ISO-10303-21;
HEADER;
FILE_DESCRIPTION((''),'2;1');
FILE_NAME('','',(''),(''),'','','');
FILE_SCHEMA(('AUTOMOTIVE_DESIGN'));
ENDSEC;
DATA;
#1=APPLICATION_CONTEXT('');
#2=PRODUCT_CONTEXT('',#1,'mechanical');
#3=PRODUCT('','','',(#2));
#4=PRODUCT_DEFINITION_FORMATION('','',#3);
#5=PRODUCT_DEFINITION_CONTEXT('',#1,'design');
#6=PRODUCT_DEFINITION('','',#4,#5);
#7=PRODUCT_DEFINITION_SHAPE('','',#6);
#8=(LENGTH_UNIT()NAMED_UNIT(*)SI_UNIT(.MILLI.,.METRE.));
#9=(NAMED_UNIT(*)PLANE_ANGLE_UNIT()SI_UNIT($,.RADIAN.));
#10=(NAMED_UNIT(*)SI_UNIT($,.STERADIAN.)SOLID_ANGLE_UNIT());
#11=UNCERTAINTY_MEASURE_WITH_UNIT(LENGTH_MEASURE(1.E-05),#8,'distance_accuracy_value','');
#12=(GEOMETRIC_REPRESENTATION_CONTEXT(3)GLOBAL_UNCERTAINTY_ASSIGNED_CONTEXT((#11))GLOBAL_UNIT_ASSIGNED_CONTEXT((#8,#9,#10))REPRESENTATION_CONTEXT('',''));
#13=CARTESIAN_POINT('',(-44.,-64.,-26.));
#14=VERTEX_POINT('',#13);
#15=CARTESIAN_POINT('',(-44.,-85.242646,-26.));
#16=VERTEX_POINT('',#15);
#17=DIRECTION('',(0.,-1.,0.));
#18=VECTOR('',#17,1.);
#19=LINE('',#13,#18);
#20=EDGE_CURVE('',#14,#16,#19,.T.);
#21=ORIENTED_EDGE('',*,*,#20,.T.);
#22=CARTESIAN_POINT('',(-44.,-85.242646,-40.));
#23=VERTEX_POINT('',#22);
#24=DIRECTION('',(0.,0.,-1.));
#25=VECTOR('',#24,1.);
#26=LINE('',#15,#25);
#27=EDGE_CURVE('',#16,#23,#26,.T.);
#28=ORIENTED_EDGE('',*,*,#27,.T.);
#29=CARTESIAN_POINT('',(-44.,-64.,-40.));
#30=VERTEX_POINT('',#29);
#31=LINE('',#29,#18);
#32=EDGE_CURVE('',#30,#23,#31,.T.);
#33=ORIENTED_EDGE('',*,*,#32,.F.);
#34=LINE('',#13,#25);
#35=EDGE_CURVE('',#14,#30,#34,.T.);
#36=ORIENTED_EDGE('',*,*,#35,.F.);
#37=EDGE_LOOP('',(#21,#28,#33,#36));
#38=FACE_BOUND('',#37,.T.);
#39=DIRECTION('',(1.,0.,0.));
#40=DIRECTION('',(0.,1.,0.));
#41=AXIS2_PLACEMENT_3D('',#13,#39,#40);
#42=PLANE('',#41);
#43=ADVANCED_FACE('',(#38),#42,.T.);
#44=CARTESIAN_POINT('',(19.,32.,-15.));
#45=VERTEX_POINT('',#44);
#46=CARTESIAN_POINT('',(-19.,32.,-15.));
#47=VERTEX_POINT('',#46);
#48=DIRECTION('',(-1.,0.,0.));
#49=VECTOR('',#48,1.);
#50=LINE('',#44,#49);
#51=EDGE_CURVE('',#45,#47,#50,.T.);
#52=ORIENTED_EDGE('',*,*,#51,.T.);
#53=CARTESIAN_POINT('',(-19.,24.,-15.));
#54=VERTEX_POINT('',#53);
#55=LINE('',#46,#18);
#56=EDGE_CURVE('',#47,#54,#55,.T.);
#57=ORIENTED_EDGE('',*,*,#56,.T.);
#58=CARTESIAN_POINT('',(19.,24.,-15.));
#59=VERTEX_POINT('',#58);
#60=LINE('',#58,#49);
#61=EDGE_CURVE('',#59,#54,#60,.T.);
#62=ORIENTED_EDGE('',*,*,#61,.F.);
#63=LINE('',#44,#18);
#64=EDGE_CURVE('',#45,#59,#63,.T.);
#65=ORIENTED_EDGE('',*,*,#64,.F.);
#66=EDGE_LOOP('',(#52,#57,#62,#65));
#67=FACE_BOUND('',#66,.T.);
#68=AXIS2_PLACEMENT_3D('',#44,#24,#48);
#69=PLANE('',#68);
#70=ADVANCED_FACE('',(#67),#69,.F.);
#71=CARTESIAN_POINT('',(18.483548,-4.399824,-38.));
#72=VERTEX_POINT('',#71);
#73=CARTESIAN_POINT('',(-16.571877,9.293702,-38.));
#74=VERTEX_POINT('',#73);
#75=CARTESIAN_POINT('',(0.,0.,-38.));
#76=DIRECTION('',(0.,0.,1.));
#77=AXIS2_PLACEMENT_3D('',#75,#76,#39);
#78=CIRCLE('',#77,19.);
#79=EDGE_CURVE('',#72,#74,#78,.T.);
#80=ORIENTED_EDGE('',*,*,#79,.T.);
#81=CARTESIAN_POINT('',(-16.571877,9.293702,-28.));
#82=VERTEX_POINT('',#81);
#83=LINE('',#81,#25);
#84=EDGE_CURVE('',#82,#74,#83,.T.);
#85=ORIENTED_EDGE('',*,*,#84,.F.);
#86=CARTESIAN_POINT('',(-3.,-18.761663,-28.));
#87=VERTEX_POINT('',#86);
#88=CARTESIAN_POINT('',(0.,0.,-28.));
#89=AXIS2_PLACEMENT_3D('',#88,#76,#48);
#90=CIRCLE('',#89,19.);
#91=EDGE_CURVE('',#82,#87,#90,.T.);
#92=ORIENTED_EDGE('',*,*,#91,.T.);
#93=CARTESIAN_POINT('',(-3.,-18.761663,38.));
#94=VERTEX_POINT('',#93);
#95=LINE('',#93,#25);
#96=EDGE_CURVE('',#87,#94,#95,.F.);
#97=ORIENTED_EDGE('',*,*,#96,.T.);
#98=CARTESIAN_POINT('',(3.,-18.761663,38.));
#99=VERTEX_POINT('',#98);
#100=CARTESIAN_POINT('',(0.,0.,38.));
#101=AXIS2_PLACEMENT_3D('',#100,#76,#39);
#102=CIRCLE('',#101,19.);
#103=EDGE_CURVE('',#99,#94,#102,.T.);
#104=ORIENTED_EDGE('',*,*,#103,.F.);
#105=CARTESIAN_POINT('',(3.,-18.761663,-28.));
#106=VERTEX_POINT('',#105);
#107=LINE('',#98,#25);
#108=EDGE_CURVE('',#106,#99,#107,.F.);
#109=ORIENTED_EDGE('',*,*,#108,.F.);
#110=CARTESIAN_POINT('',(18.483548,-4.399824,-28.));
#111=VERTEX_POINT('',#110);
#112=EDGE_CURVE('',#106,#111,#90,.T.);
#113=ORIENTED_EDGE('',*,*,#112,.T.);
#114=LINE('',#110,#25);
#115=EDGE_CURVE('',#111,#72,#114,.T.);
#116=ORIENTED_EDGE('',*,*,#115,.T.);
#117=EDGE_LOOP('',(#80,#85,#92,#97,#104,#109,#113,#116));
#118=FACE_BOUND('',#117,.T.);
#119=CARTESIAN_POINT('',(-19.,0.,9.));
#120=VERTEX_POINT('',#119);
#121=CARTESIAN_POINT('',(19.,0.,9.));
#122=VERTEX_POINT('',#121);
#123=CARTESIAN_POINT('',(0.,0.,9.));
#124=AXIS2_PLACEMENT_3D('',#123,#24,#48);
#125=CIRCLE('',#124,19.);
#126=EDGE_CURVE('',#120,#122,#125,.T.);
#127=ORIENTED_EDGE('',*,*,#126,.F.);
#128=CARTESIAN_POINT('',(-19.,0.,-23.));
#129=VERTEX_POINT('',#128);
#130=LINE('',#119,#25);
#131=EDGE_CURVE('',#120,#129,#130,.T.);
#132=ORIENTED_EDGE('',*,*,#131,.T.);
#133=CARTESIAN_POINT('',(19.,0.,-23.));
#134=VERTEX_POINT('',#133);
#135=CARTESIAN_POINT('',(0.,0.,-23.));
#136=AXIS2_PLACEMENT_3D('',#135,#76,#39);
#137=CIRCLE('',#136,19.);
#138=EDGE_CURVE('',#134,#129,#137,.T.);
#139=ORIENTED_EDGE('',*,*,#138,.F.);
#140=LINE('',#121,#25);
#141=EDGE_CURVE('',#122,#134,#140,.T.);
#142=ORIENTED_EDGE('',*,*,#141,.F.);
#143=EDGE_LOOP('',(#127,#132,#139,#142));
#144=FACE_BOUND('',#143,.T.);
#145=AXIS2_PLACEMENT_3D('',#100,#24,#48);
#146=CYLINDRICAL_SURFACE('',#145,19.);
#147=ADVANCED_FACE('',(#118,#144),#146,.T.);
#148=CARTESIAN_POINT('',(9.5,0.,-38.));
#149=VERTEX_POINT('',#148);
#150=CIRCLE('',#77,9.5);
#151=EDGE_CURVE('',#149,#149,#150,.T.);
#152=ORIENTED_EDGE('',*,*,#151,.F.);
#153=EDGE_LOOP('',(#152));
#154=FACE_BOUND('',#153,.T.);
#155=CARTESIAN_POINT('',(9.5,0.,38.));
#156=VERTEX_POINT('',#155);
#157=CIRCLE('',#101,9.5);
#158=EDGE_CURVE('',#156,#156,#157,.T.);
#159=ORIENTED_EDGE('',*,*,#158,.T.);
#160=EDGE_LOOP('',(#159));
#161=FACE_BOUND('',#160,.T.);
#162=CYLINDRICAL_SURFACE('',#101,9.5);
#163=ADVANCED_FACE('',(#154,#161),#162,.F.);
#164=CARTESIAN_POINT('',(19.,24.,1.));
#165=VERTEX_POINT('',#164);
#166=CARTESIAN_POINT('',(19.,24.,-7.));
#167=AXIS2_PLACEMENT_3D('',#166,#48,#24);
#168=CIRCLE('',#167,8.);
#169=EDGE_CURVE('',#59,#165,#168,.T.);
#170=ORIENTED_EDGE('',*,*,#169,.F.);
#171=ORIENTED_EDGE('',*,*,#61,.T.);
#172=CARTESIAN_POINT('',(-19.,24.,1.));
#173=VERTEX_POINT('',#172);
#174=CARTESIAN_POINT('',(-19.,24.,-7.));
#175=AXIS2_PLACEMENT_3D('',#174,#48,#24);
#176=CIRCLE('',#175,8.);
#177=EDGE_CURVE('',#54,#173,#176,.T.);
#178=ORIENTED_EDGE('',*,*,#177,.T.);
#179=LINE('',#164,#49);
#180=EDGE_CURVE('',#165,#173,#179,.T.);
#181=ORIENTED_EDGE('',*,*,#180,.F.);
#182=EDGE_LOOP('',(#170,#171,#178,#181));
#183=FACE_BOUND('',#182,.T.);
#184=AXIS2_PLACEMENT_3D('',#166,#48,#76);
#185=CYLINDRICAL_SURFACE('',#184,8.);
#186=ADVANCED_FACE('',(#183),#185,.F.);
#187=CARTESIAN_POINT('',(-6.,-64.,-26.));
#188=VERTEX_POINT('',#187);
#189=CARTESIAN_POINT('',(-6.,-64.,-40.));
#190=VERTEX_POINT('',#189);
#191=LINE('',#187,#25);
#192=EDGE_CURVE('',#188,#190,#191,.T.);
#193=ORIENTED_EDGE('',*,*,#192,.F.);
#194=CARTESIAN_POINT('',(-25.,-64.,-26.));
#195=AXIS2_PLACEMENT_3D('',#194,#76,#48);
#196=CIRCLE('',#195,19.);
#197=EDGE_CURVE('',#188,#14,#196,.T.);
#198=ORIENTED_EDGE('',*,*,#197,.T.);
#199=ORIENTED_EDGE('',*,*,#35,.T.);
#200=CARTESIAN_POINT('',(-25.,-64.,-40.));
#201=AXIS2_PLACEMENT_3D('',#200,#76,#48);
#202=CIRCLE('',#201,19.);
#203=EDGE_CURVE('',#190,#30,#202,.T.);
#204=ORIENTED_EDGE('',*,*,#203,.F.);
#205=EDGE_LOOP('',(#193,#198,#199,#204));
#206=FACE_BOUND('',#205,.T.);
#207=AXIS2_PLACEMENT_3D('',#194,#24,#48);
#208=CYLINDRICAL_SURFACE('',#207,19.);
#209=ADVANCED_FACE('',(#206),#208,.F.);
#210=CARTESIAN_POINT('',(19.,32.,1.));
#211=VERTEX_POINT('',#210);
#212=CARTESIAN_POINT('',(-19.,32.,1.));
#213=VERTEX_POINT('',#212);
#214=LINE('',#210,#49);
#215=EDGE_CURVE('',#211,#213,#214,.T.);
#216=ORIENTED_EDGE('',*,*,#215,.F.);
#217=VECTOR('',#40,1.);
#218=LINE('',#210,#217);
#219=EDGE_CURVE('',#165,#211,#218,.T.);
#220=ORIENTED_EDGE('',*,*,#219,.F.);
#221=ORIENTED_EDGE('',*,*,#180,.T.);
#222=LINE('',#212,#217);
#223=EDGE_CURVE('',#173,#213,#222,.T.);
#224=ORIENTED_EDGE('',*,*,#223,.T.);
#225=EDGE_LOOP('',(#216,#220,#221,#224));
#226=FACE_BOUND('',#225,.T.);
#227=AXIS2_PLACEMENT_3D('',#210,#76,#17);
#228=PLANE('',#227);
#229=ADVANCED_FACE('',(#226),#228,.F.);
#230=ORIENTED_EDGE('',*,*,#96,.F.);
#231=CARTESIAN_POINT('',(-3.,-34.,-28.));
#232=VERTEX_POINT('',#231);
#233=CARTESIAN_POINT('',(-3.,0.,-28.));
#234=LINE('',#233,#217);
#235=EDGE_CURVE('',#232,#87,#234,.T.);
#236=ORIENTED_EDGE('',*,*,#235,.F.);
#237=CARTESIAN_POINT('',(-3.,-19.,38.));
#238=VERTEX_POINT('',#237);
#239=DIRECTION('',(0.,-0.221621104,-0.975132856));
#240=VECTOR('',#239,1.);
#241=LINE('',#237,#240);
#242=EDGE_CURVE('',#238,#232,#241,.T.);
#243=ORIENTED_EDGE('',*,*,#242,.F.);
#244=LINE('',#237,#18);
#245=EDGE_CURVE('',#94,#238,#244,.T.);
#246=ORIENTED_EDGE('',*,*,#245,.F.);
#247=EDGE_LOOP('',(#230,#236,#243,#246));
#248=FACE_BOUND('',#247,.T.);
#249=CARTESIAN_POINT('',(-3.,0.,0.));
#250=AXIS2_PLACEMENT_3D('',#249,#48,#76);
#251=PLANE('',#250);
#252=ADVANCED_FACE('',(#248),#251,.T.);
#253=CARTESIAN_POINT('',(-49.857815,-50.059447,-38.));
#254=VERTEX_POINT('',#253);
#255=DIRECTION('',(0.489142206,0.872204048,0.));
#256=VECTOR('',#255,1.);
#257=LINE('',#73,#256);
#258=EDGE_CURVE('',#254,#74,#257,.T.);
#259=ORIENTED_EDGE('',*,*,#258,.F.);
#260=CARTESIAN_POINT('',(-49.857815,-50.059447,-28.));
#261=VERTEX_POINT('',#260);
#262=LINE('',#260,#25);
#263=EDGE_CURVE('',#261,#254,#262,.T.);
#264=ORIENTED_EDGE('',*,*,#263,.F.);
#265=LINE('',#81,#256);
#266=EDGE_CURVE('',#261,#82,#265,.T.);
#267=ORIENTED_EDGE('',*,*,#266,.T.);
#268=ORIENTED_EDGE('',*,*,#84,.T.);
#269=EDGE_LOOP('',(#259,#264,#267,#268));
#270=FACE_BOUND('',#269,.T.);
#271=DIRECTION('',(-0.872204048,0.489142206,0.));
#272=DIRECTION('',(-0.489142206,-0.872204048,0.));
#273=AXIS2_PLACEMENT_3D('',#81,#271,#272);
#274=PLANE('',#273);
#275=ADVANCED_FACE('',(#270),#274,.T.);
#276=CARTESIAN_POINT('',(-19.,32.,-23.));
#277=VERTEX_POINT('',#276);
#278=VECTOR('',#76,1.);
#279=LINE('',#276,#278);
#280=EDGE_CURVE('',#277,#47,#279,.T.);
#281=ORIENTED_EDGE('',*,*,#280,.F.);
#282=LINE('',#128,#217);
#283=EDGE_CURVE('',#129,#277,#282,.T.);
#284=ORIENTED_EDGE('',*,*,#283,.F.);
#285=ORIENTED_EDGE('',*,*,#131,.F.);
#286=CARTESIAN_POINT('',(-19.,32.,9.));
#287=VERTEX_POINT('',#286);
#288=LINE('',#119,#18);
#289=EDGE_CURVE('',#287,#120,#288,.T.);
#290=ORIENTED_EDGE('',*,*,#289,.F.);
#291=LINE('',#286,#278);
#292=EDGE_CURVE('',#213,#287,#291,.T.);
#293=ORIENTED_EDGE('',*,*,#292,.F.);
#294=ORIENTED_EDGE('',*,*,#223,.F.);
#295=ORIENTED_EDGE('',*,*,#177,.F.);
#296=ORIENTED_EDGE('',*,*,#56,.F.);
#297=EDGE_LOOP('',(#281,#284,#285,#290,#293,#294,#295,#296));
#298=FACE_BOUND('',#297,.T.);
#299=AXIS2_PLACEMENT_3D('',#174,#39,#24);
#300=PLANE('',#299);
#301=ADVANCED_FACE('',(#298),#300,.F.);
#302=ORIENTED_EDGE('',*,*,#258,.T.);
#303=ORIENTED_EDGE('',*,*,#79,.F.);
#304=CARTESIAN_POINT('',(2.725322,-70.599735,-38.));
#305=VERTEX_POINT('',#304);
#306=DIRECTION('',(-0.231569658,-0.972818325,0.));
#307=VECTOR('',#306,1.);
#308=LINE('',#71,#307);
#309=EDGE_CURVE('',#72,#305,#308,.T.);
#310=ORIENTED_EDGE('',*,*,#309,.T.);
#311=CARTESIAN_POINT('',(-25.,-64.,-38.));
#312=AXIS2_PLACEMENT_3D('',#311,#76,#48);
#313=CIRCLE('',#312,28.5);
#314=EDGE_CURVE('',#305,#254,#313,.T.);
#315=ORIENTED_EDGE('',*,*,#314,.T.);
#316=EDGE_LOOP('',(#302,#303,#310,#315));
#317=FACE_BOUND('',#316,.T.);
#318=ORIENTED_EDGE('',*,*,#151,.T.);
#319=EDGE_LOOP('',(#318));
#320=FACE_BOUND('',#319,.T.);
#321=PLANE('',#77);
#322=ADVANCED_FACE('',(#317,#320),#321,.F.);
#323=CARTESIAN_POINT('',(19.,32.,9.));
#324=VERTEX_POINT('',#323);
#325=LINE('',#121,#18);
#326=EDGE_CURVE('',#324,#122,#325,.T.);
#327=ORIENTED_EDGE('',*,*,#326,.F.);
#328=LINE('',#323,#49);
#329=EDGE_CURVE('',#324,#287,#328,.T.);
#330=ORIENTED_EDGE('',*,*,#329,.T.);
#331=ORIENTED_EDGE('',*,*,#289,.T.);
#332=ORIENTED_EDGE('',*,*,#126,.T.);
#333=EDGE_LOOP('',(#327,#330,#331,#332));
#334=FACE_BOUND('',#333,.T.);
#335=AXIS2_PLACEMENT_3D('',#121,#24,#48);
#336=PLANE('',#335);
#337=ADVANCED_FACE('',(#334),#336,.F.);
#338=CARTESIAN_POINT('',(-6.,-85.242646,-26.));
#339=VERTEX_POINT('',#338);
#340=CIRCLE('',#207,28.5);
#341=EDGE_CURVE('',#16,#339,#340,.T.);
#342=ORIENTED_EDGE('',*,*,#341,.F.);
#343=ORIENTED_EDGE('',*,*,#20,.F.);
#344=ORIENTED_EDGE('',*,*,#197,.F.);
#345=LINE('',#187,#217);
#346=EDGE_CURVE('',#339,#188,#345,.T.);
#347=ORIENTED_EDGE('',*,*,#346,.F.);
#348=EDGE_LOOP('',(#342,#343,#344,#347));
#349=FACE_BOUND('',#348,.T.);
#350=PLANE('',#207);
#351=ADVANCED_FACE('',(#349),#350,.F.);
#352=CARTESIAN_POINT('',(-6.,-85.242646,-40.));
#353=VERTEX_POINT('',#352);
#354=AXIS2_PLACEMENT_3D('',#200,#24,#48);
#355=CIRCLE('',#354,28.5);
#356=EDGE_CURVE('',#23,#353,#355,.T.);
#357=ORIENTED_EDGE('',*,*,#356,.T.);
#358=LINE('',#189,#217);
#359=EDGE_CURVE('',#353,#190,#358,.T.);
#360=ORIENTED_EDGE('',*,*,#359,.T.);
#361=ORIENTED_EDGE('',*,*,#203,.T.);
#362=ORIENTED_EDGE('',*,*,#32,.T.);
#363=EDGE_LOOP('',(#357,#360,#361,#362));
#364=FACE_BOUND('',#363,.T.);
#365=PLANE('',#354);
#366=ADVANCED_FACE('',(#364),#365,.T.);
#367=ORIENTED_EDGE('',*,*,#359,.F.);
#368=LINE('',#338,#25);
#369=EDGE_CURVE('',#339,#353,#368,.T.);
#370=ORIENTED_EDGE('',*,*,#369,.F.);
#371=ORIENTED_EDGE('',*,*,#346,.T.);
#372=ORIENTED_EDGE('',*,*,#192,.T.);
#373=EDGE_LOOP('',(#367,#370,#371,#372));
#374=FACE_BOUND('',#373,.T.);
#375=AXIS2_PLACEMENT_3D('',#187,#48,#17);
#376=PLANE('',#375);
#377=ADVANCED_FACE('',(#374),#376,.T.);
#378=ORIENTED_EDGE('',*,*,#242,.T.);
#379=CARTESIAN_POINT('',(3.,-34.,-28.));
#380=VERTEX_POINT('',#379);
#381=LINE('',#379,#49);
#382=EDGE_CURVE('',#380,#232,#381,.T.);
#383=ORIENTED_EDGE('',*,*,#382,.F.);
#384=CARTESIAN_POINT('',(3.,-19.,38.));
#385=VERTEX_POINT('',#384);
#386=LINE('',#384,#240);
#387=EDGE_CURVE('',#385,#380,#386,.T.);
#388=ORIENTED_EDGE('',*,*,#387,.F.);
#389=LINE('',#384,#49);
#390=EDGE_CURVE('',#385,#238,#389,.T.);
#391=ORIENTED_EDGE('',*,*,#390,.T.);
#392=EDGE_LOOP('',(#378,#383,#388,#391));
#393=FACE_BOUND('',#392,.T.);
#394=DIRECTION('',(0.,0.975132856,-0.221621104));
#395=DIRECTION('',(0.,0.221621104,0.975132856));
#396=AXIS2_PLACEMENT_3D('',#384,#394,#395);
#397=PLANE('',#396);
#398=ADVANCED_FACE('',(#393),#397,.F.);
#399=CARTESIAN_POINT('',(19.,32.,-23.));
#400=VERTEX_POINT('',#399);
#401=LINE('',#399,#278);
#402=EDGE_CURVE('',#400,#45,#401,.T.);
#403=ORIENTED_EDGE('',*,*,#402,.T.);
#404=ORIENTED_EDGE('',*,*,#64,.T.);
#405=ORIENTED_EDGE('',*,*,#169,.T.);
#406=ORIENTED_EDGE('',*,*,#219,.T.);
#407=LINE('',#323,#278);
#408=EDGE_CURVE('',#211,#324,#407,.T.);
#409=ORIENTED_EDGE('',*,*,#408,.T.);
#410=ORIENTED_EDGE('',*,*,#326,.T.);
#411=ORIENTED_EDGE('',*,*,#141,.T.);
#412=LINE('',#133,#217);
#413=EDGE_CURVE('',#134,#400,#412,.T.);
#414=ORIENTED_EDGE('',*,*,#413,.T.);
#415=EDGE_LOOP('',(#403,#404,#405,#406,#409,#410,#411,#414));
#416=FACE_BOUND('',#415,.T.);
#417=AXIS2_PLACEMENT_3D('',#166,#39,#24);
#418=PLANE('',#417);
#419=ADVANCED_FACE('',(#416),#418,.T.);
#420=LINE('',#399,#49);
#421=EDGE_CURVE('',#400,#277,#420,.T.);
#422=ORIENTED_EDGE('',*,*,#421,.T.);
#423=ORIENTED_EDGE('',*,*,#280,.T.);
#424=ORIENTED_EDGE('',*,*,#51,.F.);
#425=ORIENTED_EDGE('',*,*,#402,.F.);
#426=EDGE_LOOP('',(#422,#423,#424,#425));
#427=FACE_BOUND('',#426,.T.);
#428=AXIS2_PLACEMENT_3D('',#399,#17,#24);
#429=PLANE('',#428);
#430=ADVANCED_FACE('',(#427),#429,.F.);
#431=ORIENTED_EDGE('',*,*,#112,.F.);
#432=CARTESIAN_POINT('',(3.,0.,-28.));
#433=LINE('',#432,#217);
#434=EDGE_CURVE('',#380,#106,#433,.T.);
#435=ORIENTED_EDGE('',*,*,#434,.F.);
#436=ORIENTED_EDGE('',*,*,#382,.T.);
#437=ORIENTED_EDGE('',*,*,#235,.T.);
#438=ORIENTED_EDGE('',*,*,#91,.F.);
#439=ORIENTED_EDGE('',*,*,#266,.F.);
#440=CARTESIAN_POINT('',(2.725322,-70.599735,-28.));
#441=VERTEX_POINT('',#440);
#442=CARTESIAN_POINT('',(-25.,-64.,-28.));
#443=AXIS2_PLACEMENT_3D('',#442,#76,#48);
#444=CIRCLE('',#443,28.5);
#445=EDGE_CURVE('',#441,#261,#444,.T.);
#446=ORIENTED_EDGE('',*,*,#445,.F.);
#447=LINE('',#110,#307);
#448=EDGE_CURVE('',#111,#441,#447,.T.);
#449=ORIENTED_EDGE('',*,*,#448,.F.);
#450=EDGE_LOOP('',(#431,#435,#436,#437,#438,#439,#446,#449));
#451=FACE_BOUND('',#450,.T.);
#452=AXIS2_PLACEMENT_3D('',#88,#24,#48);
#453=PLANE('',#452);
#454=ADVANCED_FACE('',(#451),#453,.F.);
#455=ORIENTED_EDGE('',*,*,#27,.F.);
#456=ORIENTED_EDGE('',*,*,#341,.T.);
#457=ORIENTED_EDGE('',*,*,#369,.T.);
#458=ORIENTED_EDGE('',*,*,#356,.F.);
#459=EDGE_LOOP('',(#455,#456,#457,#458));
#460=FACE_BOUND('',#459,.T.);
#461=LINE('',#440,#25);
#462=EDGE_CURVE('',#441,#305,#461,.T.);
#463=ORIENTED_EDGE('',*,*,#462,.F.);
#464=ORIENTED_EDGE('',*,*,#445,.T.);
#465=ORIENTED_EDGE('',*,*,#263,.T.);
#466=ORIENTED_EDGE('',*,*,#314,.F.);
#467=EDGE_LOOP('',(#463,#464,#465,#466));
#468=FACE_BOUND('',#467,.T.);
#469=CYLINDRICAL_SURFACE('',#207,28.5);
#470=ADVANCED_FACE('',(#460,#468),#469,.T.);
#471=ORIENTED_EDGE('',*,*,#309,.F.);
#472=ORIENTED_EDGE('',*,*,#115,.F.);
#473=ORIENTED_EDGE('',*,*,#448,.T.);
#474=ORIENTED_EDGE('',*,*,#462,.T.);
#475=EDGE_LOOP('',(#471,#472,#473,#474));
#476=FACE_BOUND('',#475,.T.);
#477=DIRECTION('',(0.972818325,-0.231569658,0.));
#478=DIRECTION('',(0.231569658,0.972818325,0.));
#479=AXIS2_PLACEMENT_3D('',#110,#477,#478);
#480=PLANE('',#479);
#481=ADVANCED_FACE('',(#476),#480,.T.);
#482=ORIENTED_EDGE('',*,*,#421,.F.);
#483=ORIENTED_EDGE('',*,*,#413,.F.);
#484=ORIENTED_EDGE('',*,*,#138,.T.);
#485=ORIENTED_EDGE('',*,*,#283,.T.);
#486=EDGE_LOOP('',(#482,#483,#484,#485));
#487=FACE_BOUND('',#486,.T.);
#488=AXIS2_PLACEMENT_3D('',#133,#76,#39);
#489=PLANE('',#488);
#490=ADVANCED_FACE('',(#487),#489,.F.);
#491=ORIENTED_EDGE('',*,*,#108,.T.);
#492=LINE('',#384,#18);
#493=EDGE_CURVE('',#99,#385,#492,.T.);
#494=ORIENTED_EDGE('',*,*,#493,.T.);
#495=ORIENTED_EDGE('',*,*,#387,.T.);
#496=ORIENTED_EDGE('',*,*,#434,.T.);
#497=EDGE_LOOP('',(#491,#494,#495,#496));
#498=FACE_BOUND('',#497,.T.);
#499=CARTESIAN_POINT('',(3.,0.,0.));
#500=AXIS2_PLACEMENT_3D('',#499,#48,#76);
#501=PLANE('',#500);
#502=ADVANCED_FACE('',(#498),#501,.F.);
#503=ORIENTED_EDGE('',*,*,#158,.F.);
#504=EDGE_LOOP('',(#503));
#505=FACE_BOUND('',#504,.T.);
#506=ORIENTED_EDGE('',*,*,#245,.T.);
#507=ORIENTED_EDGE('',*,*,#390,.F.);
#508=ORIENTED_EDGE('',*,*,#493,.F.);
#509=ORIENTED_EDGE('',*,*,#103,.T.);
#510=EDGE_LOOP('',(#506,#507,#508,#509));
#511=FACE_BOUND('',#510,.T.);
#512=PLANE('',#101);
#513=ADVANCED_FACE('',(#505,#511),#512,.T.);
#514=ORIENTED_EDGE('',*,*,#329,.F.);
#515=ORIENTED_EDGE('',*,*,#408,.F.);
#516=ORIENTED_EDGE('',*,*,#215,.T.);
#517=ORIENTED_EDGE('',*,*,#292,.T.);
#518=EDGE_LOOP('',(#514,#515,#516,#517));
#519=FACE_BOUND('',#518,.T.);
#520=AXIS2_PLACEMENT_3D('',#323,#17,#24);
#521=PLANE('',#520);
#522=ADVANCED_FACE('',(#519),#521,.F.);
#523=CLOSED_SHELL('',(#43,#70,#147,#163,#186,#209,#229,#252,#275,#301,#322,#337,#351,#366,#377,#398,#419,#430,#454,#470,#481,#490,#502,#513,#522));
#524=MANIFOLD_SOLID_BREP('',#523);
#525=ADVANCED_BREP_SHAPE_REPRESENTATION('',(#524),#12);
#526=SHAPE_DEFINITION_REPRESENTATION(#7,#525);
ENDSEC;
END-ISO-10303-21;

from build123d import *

# Parameters (mm, degrees)
SKETCH1_R                = 19
BOSS_EXTRUDE1_DEPTH      = 38
BOSS_EXTRUDE2_DEPTH      = 2
BOSS_EXTRUDE2_DEPTH_BACK = 12
BOSS_EXTRUDE3_START      = -10
BOSS_EXTRUDE3_DEPTH      = 10
BOSS_EXTRUDE4_DEPTH      = 19
HOLE1_D                  = 16
HOLE1_DEPTH              = 100
HOLE2_D                  = 19
HOLE2_DEPTH              = 100
BOSS_EXTRUDE5_DEPTH      = 3


with BuildPart() as part:
    # Sketch1 → Boss-Extrude1 (new, symmetric)
    with BuildSketch(Plane.XY):
        Circle(SKETCH1_R)
    extrude(amount=BOSS_EXTRUDE1_DEPTH, both=True)



with BuildPart() as body_2:
    # Sketch2 → Boss-Extrude2 (new, two sides: drawn at the far end of the back side and taken through both)
    with BuildSketch(Plane(origin=(0, 0, -38), x_dir=(-1, 0, 0), z_dir=(0, 0, -1)).offset(-BOSS_EXTRUDE2_DEPTH_BACK)):
        with BuildLine():
            Line((6, -64), (6, -85.242645786))
            ThreePointArc((6, -85.242645786), (25, -35.5), (44, -85.242645786))
            Line((44, -85.242645786), (44, -64))
            ThreePointArc((44, -64), (25, -45), (6, -64))
        make_face()
    extrude(amount=BOSS_EXTRUDE2_DEPTH + BOSS_EXTRUDE2_DEPTH_BACK)


with BuildPart() as part_1:
    add(part.part)

    add(body_2.part)  # Boss-Extrude3 merges body 2
    # Sketch3 → Boss-Extrude3 (add)
    with BuildSketch(Plane(origin=(0, 0, -38), x_dir=(-1, 0, 0), z_dir=(0, 0, -1)).offset(BOSS_EXTRUDE3_START)):
        with BuildLine():
            Line((-18.483548174, -4.399823506), (-2.725322262, -70.599735258))
            ThreePointArc((-2.725322262, -70.599735258), (14.630259976, -37.45346554), (49.857815378, -50.059447118))
            Line((49.857815378, -50.059447118), (16.571876918, 9.293701921))
            ThreePointArc((16.571876918, 9.293701921), (6.913160016, -17.69768964), (-18.483548174, -4.399823506))
        make_face()
    extrude(amount=BOSS_EXTRUDE3_DEPTH)

    # Sketch4 → Boss-Extrude4 (add, symmetric)
    with BuildSketch(Plane(origin=(0, 0, 0), x_dir=(0, 0, -1), z_dir=(1, 0, 0))):
        with BuildLine():
            Line((-9, 0), (-9, 32))
            Line((-9, 32), (-1, 32))
            Line((-1, 32), (-1, 24))
            ThreePointArc((-1, 24), (7, 16), (15, 24))
            Line((15, 24), (15, 32))
            Line((15, 32), (23, 32))
            Line((23, 32), (23, 0))
            Line((23, 0), (-9, 0))
        make_face()
    extrude(amount=BOSS_EXTRUDE4_DEPTH, both=True)

    # Hole1
    with Locations(Plane(origin=(19, 0, 0), x_dir=(0, 0, -1), z_dir=(1, 0, 0))):
        with Locations((7, 24)):
            Hole(HOLE1_D / 2, depth=HOLE1_DEPTH)

    # Hole2
    with Locations(Plane.XY.offset(38)):
        with Locations((0, 0)):
            Hole(HOLE2_D / 2, depth=HOLE2_DEPTH)

    # Sketch10 → Boss-Extrude5 (add, symmetric)
    with BuildSketch(Plane(origin=(0, 0, 0), x_dir=(0, 0, -1), z_dir=(1, 0, 0))):
        Polygon((-38, -19), (28, -34), (30, -34), (30, -17), (-38, -17), align=None)
    extrude(amount=BOSS_EXTRUDE5_DEPTH, both=True)


solid = part_1.part
